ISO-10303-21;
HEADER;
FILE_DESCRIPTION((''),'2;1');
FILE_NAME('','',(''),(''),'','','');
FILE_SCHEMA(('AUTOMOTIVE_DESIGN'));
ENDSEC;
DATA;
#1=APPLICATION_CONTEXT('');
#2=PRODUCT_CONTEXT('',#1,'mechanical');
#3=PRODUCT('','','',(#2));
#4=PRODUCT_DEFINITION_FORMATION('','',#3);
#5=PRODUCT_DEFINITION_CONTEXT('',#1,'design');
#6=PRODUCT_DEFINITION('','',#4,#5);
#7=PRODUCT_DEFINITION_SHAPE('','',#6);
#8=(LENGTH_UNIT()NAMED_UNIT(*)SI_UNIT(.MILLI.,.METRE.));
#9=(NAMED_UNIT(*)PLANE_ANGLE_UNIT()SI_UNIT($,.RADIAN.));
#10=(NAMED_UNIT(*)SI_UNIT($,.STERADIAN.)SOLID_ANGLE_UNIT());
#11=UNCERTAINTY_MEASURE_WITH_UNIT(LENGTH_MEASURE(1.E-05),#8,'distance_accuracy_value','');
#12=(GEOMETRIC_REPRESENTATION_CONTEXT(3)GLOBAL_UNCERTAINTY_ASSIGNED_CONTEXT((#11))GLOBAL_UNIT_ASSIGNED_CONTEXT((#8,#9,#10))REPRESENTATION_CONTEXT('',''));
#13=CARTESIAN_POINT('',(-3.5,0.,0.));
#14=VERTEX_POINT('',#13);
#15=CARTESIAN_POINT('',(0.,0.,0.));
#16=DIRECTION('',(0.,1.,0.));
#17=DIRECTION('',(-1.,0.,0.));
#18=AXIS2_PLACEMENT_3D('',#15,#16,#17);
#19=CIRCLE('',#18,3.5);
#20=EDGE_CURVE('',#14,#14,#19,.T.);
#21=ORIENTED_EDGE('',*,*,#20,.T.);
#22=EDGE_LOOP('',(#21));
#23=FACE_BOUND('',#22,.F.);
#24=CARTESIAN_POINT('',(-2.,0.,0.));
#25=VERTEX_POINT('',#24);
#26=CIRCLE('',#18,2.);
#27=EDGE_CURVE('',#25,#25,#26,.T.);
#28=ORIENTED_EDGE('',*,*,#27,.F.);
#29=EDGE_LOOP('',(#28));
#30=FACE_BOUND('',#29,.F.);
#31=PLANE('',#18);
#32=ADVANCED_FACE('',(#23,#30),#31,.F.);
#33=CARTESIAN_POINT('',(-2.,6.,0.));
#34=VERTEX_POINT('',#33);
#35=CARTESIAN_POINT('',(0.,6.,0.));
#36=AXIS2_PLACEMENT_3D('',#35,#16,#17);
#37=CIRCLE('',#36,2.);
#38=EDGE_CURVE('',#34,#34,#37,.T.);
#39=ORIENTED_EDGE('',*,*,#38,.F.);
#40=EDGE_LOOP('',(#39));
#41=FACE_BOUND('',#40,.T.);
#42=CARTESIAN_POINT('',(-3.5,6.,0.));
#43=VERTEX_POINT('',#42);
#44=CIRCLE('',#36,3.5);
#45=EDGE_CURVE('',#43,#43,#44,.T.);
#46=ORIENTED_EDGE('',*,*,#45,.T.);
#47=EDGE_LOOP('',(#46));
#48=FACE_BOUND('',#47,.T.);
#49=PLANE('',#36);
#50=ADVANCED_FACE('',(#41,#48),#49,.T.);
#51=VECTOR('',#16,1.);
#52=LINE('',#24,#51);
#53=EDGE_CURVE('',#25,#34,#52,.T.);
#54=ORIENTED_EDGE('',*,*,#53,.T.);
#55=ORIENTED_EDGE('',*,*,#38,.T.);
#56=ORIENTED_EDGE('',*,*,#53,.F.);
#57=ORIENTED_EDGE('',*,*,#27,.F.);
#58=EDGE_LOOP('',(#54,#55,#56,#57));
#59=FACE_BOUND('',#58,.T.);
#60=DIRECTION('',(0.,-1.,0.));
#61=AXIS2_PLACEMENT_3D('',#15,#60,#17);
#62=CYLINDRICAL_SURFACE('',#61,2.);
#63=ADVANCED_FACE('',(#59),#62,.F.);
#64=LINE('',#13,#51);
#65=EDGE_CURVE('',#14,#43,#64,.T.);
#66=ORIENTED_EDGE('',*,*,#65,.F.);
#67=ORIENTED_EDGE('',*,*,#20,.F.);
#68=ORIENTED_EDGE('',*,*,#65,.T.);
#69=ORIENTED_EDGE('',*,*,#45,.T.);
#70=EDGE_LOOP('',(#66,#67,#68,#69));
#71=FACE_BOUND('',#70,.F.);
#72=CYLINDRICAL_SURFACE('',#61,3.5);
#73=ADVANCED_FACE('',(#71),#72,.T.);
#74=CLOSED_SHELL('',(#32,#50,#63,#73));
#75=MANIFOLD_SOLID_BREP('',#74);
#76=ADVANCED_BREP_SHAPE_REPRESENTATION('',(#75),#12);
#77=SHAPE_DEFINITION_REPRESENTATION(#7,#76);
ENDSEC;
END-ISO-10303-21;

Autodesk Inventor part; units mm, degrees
ref_plane "YZ Plane" through (0, 0, 0) normal (1, 0, 0) x (0, 1, 0)
ref_plane "XZ Plane" through (0, 0, 0) normal (0, 1, 0) x (-1, 0, 0)
ref_plane "XY Plane" through (0, 0, 0) normal (0, 0, 1) x (1, 0, 0)
sketch "Sketch1" plane through (0, 0, 0) normal (0, 1, 0) x (-1, 0, 0)
  circle A0 centre (0, 0) radius 3.5
  circle A1 centre (0, 0) radius 2
  dimension "d0" = 7
  dimension "d1" = 4
extrude "Extrusion1" add sketch "Sketch1" along normal blind 6
properties part number "Support_washer"
